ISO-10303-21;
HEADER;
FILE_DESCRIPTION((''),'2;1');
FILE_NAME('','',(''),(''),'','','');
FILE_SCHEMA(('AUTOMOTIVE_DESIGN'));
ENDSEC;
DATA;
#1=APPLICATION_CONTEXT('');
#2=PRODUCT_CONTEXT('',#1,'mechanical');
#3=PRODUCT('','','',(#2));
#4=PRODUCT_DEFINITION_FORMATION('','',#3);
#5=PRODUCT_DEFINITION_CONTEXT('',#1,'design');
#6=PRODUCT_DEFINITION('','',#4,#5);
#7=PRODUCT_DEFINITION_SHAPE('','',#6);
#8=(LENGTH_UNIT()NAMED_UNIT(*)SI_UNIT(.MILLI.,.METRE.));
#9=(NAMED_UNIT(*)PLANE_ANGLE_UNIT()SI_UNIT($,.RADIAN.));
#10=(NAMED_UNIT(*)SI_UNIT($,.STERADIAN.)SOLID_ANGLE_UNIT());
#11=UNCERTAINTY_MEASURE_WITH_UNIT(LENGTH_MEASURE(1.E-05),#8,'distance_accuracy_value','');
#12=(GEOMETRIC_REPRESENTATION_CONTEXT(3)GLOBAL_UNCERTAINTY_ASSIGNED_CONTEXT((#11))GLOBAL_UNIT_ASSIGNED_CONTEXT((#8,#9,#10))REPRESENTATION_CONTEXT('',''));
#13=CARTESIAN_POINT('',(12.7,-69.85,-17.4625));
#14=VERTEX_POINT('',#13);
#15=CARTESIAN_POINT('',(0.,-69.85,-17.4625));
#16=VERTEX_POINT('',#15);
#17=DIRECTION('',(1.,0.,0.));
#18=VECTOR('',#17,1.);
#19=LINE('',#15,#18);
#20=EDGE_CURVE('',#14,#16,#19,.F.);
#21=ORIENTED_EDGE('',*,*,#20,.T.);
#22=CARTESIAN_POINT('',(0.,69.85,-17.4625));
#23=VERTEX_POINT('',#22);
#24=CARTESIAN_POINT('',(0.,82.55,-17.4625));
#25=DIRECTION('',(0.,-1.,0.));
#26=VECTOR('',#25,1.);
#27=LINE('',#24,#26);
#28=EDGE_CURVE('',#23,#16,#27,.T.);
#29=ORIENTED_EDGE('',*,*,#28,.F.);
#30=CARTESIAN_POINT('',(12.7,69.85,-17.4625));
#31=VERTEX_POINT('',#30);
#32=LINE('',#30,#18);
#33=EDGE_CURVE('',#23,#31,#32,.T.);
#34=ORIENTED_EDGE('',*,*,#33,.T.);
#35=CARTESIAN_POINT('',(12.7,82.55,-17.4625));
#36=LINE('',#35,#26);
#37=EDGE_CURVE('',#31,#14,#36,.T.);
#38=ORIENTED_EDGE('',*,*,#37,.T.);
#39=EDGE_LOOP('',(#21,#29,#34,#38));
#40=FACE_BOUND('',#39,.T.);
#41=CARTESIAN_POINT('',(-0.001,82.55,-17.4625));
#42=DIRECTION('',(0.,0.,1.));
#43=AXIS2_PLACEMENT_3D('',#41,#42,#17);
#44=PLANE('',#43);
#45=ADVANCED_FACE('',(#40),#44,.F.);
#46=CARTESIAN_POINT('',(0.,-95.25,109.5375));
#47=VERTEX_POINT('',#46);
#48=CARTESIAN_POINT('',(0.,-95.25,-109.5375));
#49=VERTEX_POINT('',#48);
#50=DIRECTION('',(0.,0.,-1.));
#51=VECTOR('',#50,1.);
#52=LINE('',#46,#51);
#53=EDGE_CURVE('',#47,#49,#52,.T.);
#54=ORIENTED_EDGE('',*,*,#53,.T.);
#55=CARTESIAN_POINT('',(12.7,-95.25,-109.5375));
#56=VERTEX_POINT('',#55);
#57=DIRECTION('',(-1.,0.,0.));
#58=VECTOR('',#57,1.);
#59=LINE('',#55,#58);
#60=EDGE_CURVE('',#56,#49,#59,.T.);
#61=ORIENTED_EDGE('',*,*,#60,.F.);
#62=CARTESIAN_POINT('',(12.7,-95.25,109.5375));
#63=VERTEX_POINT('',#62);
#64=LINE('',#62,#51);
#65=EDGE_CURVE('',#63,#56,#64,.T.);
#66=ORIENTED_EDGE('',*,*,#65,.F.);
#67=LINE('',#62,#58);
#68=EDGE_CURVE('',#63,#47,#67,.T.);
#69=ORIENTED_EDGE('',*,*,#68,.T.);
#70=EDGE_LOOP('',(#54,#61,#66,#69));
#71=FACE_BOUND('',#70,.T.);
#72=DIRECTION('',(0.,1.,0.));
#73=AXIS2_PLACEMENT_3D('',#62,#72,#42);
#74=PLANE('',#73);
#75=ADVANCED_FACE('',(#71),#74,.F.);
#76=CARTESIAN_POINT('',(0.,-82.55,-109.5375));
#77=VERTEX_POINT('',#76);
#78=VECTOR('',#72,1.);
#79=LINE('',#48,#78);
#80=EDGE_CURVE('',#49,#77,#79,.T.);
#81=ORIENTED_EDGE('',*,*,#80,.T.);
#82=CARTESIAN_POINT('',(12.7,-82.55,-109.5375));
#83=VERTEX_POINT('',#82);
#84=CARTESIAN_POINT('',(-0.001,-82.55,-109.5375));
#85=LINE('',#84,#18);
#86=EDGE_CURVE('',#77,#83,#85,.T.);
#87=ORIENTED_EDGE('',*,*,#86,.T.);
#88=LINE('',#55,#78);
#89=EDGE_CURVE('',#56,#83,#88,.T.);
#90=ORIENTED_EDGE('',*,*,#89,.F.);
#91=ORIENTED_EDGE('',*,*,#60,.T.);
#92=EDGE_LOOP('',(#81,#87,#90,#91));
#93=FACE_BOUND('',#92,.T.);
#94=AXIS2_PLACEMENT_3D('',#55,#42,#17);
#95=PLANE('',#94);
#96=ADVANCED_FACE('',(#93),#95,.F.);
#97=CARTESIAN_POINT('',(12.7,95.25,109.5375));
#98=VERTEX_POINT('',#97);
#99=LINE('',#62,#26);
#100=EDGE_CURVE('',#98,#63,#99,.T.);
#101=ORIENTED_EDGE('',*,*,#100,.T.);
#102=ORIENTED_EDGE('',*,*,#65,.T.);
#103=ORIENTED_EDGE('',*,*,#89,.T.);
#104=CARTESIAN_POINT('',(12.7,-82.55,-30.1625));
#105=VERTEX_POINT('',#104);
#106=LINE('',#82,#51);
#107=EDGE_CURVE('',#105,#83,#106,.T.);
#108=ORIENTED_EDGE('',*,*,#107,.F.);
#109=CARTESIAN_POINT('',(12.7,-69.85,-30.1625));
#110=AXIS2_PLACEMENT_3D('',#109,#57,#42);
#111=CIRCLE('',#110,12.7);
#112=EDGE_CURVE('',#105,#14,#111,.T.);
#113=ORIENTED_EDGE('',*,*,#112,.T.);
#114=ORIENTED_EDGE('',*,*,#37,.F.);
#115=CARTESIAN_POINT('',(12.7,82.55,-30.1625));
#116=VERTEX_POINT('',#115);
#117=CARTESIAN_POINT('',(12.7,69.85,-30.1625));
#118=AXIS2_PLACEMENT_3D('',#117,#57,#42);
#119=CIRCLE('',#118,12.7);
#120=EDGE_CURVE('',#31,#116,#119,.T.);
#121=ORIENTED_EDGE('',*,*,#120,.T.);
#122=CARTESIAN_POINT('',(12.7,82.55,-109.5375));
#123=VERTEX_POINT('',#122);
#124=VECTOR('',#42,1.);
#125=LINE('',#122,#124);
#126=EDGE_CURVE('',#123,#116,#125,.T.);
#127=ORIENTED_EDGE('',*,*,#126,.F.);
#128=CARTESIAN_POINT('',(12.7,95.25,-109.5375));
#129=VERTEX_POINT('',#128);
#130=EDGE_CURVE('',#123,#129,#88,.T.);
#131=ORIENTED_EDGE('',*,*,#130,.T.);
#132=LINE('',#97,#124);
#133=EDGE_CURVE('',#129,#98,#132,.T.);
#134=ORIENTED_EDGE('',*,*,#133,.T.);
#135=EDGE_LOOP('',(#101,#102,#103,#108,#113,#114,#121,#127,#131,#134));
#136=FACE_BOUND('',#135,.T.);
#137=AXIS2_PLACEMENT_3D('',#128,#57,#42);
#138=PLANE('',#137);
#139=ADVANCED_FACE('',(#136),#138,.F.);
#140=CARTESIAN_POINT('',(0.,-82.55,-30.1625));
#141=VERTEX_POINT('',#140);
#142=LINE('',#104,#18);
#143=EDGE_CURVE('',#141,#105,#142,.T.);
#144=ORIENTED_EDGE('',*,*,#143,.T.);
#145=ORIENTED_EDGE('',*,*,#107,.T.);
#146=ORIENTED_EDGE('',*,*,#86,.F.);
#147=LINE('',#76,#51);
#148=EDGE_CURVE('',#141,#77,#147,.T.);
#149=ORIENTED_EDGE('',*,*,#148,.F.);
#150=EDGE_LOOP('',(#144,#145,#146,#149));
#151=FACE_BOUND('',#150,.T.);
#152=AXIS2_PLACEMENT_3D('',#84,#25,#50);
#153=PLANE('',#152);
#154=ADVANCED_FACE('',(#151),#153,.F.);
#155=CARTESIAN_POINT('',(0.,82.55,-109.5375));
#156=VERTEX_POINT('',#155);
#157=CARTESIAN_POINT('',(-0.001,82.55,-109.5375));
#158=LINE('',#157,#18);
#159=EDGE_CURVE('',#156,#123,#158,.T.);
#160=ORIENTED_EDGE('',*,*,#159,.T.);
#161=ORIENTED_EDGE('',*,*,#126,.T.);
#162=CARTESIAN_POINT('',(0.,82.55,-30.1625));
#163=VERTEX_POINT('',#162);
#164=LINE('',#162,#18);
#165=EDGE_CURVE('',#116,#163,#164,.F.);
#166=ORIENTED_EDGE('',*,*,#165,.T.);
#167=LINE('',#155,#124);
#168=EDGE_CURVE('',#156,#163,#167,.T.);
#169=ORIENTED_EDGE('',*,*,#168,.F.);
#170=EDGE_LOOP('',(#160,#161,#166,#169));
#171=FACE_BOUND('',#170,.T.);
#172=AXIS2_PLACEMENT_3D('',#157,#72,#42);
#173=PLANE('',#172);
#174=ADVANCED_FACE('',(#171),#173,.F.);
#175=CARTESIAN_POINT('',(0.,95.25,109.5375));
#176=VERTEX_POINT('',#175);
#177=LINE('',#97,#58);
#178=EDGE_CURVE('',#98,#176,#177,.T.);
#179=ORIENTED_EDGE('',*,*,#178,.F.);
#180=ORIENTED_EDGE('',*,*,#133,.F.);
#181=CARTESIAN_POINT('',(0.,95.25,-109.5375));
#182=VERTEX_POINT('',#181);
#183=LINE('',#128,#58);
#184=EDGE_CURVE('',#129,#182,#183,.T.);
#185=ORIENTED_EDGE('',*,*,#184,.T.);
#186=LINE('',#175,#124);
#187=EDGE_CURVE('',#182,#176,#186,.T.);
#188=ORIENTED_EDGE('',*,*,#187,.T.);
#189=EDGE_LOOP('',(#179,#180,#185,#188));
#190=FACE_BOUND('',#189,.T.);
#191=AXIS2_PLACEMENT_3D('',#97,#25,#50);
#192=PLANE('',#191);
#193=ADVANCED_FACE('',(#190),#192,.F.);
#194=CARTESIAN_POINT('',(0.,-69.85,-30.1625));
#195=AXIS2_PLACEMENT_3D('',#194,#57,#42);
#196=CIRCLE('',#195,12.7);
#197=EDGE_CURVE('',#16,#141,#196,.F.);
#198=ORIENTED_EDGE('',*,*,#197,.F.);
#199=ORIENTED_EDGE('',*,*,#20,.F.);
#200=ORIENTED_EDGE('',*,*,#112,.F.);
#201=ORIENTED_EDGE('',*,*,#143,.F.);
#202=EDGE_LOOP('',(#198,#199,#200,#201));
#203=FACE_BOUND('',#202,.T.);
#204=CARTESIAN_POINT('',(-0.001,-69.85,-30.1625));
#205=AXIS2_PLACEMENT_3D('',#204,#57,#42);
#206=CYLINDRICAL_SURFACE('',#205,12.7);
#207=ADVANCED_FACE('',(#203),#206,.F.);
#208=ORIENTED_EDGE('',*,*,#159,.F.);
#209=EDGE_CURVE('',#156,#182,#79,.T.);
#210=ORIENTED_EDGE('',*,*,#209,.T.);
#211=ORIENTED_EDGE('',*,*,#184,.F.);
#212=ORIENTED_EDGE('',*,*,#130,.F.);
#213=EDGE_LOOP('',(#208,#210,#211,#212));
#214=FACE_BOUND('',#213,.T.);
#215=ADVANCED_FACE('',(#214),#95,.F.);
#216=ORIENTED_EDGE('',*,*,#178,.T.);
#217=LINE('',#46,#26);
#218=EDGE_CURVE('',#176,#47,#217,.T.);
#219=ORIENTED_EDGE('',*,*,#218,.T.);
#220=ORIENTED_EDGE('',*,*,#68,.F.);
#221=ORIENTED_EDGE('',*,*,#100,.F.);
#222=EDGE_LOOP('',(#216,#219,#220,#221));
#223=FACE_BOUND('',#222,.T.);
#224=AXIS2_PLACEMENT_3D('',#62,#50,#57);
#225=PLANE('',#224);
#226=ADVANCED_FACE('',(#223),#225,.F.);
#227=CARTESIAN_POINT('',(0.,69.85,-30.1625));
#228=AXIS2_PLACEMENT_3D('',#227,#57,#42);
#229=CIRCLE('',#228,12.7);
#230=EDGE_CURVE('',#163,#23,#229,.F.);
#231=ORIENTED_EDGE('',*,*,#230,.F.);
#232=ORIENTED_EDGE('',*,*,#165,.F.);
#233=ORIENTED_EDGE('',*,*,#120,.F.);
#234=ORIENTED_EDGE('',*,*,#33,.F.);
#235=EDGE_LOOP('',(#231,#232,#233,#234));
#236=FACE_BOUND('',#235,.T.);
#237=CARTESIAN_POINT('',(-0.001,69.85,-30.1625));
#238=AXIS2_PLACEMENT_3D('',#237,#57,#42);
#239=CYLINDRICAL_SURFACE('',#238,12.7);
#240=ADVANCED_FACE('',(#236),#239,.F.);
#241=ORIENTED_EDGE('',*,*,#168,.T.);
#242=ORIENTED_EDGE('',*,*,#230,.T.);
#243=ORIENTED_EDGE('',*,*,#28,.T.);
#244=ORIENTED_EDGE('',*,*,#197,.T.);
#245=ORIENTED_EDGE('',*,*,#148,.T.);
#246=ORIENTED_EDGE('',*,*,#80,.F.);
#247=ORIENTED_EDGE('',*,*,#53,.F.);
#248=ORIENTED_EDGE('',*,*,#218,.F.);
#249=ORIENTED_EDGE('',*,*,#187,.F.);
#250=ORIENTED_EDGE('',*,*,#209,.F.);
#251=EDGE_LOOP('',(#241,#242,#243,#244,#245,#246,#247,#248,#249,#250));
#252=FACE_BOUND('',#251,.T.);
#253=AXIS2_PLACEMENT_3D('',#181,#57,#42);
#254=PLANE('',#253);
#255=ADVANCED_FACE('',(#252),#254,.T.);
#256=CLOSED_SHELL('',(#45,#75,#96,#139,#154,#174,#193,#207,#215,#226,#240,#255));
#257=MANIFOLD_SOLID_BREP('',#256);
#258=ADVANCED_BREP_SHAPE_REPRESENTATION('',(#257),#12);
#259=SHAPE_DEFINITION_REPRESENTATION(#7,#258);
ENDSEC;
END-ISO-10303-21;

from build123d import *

# Parameters (mm, degrees)
SKETCH1_W           = 219.075
SKETCH1_H           = 190.5
BOSS_EXTRUDE1_DEPTH = 12.7
CUT_EXTRUDE1_REACH  = 147.713
SKETCH2_W           = 92.075
SKETCH2_H           = 165.1
FILLET1_R           = 12.7


with BuildPart() as part:
    # Sketch1 → Boss-Extrude1 (new body)
    with BuildSketch(Plane(origin=(0, 0, 0), x_dir=(0, 0, -1), z_dir=(1, 0, 0))):
        Rectangle(SKETCH1_W, SKETCH1_H)
    extrude(amount=BOSS_EXTRUDE1_DEPTH)

    # Sketch2 → Cut-Extrude1 (cut, up to next)
    with BuildSketch(Plane(origin=(12.7, 0, 0), x_dir=(0, 0, -1), z_dir=(1, 0, 0)), mode=Mode.PRIVATE) as cut_extrude1_sk1:
        with Locations((63.5, 0)):
            Rectangle(SKETCH2_W, SKETCH2_H)
    cut_extrude1_tool1 = extrude(cut_extrude1_sk1.sketch, amount=-CUT_EXTRUDE1_REACH, mode=Mode.PRIVATE) & part.part
    add(cut_extrude1_tool1.solids().sort_by_distance((12.7, 0, -63.5))[0], mode=Mode.SUBTRACT)

    # Fillet1
    fillet1_edges = [part.edges().sort_by_distance(p)[0] for p in [
        (6.35, -82.55, -17.4625),
        (6.35, 82.55, -17.4625),
    ]]
    fillet(fillet1_edges, radius=FILLET1_R)


solid = part.part
